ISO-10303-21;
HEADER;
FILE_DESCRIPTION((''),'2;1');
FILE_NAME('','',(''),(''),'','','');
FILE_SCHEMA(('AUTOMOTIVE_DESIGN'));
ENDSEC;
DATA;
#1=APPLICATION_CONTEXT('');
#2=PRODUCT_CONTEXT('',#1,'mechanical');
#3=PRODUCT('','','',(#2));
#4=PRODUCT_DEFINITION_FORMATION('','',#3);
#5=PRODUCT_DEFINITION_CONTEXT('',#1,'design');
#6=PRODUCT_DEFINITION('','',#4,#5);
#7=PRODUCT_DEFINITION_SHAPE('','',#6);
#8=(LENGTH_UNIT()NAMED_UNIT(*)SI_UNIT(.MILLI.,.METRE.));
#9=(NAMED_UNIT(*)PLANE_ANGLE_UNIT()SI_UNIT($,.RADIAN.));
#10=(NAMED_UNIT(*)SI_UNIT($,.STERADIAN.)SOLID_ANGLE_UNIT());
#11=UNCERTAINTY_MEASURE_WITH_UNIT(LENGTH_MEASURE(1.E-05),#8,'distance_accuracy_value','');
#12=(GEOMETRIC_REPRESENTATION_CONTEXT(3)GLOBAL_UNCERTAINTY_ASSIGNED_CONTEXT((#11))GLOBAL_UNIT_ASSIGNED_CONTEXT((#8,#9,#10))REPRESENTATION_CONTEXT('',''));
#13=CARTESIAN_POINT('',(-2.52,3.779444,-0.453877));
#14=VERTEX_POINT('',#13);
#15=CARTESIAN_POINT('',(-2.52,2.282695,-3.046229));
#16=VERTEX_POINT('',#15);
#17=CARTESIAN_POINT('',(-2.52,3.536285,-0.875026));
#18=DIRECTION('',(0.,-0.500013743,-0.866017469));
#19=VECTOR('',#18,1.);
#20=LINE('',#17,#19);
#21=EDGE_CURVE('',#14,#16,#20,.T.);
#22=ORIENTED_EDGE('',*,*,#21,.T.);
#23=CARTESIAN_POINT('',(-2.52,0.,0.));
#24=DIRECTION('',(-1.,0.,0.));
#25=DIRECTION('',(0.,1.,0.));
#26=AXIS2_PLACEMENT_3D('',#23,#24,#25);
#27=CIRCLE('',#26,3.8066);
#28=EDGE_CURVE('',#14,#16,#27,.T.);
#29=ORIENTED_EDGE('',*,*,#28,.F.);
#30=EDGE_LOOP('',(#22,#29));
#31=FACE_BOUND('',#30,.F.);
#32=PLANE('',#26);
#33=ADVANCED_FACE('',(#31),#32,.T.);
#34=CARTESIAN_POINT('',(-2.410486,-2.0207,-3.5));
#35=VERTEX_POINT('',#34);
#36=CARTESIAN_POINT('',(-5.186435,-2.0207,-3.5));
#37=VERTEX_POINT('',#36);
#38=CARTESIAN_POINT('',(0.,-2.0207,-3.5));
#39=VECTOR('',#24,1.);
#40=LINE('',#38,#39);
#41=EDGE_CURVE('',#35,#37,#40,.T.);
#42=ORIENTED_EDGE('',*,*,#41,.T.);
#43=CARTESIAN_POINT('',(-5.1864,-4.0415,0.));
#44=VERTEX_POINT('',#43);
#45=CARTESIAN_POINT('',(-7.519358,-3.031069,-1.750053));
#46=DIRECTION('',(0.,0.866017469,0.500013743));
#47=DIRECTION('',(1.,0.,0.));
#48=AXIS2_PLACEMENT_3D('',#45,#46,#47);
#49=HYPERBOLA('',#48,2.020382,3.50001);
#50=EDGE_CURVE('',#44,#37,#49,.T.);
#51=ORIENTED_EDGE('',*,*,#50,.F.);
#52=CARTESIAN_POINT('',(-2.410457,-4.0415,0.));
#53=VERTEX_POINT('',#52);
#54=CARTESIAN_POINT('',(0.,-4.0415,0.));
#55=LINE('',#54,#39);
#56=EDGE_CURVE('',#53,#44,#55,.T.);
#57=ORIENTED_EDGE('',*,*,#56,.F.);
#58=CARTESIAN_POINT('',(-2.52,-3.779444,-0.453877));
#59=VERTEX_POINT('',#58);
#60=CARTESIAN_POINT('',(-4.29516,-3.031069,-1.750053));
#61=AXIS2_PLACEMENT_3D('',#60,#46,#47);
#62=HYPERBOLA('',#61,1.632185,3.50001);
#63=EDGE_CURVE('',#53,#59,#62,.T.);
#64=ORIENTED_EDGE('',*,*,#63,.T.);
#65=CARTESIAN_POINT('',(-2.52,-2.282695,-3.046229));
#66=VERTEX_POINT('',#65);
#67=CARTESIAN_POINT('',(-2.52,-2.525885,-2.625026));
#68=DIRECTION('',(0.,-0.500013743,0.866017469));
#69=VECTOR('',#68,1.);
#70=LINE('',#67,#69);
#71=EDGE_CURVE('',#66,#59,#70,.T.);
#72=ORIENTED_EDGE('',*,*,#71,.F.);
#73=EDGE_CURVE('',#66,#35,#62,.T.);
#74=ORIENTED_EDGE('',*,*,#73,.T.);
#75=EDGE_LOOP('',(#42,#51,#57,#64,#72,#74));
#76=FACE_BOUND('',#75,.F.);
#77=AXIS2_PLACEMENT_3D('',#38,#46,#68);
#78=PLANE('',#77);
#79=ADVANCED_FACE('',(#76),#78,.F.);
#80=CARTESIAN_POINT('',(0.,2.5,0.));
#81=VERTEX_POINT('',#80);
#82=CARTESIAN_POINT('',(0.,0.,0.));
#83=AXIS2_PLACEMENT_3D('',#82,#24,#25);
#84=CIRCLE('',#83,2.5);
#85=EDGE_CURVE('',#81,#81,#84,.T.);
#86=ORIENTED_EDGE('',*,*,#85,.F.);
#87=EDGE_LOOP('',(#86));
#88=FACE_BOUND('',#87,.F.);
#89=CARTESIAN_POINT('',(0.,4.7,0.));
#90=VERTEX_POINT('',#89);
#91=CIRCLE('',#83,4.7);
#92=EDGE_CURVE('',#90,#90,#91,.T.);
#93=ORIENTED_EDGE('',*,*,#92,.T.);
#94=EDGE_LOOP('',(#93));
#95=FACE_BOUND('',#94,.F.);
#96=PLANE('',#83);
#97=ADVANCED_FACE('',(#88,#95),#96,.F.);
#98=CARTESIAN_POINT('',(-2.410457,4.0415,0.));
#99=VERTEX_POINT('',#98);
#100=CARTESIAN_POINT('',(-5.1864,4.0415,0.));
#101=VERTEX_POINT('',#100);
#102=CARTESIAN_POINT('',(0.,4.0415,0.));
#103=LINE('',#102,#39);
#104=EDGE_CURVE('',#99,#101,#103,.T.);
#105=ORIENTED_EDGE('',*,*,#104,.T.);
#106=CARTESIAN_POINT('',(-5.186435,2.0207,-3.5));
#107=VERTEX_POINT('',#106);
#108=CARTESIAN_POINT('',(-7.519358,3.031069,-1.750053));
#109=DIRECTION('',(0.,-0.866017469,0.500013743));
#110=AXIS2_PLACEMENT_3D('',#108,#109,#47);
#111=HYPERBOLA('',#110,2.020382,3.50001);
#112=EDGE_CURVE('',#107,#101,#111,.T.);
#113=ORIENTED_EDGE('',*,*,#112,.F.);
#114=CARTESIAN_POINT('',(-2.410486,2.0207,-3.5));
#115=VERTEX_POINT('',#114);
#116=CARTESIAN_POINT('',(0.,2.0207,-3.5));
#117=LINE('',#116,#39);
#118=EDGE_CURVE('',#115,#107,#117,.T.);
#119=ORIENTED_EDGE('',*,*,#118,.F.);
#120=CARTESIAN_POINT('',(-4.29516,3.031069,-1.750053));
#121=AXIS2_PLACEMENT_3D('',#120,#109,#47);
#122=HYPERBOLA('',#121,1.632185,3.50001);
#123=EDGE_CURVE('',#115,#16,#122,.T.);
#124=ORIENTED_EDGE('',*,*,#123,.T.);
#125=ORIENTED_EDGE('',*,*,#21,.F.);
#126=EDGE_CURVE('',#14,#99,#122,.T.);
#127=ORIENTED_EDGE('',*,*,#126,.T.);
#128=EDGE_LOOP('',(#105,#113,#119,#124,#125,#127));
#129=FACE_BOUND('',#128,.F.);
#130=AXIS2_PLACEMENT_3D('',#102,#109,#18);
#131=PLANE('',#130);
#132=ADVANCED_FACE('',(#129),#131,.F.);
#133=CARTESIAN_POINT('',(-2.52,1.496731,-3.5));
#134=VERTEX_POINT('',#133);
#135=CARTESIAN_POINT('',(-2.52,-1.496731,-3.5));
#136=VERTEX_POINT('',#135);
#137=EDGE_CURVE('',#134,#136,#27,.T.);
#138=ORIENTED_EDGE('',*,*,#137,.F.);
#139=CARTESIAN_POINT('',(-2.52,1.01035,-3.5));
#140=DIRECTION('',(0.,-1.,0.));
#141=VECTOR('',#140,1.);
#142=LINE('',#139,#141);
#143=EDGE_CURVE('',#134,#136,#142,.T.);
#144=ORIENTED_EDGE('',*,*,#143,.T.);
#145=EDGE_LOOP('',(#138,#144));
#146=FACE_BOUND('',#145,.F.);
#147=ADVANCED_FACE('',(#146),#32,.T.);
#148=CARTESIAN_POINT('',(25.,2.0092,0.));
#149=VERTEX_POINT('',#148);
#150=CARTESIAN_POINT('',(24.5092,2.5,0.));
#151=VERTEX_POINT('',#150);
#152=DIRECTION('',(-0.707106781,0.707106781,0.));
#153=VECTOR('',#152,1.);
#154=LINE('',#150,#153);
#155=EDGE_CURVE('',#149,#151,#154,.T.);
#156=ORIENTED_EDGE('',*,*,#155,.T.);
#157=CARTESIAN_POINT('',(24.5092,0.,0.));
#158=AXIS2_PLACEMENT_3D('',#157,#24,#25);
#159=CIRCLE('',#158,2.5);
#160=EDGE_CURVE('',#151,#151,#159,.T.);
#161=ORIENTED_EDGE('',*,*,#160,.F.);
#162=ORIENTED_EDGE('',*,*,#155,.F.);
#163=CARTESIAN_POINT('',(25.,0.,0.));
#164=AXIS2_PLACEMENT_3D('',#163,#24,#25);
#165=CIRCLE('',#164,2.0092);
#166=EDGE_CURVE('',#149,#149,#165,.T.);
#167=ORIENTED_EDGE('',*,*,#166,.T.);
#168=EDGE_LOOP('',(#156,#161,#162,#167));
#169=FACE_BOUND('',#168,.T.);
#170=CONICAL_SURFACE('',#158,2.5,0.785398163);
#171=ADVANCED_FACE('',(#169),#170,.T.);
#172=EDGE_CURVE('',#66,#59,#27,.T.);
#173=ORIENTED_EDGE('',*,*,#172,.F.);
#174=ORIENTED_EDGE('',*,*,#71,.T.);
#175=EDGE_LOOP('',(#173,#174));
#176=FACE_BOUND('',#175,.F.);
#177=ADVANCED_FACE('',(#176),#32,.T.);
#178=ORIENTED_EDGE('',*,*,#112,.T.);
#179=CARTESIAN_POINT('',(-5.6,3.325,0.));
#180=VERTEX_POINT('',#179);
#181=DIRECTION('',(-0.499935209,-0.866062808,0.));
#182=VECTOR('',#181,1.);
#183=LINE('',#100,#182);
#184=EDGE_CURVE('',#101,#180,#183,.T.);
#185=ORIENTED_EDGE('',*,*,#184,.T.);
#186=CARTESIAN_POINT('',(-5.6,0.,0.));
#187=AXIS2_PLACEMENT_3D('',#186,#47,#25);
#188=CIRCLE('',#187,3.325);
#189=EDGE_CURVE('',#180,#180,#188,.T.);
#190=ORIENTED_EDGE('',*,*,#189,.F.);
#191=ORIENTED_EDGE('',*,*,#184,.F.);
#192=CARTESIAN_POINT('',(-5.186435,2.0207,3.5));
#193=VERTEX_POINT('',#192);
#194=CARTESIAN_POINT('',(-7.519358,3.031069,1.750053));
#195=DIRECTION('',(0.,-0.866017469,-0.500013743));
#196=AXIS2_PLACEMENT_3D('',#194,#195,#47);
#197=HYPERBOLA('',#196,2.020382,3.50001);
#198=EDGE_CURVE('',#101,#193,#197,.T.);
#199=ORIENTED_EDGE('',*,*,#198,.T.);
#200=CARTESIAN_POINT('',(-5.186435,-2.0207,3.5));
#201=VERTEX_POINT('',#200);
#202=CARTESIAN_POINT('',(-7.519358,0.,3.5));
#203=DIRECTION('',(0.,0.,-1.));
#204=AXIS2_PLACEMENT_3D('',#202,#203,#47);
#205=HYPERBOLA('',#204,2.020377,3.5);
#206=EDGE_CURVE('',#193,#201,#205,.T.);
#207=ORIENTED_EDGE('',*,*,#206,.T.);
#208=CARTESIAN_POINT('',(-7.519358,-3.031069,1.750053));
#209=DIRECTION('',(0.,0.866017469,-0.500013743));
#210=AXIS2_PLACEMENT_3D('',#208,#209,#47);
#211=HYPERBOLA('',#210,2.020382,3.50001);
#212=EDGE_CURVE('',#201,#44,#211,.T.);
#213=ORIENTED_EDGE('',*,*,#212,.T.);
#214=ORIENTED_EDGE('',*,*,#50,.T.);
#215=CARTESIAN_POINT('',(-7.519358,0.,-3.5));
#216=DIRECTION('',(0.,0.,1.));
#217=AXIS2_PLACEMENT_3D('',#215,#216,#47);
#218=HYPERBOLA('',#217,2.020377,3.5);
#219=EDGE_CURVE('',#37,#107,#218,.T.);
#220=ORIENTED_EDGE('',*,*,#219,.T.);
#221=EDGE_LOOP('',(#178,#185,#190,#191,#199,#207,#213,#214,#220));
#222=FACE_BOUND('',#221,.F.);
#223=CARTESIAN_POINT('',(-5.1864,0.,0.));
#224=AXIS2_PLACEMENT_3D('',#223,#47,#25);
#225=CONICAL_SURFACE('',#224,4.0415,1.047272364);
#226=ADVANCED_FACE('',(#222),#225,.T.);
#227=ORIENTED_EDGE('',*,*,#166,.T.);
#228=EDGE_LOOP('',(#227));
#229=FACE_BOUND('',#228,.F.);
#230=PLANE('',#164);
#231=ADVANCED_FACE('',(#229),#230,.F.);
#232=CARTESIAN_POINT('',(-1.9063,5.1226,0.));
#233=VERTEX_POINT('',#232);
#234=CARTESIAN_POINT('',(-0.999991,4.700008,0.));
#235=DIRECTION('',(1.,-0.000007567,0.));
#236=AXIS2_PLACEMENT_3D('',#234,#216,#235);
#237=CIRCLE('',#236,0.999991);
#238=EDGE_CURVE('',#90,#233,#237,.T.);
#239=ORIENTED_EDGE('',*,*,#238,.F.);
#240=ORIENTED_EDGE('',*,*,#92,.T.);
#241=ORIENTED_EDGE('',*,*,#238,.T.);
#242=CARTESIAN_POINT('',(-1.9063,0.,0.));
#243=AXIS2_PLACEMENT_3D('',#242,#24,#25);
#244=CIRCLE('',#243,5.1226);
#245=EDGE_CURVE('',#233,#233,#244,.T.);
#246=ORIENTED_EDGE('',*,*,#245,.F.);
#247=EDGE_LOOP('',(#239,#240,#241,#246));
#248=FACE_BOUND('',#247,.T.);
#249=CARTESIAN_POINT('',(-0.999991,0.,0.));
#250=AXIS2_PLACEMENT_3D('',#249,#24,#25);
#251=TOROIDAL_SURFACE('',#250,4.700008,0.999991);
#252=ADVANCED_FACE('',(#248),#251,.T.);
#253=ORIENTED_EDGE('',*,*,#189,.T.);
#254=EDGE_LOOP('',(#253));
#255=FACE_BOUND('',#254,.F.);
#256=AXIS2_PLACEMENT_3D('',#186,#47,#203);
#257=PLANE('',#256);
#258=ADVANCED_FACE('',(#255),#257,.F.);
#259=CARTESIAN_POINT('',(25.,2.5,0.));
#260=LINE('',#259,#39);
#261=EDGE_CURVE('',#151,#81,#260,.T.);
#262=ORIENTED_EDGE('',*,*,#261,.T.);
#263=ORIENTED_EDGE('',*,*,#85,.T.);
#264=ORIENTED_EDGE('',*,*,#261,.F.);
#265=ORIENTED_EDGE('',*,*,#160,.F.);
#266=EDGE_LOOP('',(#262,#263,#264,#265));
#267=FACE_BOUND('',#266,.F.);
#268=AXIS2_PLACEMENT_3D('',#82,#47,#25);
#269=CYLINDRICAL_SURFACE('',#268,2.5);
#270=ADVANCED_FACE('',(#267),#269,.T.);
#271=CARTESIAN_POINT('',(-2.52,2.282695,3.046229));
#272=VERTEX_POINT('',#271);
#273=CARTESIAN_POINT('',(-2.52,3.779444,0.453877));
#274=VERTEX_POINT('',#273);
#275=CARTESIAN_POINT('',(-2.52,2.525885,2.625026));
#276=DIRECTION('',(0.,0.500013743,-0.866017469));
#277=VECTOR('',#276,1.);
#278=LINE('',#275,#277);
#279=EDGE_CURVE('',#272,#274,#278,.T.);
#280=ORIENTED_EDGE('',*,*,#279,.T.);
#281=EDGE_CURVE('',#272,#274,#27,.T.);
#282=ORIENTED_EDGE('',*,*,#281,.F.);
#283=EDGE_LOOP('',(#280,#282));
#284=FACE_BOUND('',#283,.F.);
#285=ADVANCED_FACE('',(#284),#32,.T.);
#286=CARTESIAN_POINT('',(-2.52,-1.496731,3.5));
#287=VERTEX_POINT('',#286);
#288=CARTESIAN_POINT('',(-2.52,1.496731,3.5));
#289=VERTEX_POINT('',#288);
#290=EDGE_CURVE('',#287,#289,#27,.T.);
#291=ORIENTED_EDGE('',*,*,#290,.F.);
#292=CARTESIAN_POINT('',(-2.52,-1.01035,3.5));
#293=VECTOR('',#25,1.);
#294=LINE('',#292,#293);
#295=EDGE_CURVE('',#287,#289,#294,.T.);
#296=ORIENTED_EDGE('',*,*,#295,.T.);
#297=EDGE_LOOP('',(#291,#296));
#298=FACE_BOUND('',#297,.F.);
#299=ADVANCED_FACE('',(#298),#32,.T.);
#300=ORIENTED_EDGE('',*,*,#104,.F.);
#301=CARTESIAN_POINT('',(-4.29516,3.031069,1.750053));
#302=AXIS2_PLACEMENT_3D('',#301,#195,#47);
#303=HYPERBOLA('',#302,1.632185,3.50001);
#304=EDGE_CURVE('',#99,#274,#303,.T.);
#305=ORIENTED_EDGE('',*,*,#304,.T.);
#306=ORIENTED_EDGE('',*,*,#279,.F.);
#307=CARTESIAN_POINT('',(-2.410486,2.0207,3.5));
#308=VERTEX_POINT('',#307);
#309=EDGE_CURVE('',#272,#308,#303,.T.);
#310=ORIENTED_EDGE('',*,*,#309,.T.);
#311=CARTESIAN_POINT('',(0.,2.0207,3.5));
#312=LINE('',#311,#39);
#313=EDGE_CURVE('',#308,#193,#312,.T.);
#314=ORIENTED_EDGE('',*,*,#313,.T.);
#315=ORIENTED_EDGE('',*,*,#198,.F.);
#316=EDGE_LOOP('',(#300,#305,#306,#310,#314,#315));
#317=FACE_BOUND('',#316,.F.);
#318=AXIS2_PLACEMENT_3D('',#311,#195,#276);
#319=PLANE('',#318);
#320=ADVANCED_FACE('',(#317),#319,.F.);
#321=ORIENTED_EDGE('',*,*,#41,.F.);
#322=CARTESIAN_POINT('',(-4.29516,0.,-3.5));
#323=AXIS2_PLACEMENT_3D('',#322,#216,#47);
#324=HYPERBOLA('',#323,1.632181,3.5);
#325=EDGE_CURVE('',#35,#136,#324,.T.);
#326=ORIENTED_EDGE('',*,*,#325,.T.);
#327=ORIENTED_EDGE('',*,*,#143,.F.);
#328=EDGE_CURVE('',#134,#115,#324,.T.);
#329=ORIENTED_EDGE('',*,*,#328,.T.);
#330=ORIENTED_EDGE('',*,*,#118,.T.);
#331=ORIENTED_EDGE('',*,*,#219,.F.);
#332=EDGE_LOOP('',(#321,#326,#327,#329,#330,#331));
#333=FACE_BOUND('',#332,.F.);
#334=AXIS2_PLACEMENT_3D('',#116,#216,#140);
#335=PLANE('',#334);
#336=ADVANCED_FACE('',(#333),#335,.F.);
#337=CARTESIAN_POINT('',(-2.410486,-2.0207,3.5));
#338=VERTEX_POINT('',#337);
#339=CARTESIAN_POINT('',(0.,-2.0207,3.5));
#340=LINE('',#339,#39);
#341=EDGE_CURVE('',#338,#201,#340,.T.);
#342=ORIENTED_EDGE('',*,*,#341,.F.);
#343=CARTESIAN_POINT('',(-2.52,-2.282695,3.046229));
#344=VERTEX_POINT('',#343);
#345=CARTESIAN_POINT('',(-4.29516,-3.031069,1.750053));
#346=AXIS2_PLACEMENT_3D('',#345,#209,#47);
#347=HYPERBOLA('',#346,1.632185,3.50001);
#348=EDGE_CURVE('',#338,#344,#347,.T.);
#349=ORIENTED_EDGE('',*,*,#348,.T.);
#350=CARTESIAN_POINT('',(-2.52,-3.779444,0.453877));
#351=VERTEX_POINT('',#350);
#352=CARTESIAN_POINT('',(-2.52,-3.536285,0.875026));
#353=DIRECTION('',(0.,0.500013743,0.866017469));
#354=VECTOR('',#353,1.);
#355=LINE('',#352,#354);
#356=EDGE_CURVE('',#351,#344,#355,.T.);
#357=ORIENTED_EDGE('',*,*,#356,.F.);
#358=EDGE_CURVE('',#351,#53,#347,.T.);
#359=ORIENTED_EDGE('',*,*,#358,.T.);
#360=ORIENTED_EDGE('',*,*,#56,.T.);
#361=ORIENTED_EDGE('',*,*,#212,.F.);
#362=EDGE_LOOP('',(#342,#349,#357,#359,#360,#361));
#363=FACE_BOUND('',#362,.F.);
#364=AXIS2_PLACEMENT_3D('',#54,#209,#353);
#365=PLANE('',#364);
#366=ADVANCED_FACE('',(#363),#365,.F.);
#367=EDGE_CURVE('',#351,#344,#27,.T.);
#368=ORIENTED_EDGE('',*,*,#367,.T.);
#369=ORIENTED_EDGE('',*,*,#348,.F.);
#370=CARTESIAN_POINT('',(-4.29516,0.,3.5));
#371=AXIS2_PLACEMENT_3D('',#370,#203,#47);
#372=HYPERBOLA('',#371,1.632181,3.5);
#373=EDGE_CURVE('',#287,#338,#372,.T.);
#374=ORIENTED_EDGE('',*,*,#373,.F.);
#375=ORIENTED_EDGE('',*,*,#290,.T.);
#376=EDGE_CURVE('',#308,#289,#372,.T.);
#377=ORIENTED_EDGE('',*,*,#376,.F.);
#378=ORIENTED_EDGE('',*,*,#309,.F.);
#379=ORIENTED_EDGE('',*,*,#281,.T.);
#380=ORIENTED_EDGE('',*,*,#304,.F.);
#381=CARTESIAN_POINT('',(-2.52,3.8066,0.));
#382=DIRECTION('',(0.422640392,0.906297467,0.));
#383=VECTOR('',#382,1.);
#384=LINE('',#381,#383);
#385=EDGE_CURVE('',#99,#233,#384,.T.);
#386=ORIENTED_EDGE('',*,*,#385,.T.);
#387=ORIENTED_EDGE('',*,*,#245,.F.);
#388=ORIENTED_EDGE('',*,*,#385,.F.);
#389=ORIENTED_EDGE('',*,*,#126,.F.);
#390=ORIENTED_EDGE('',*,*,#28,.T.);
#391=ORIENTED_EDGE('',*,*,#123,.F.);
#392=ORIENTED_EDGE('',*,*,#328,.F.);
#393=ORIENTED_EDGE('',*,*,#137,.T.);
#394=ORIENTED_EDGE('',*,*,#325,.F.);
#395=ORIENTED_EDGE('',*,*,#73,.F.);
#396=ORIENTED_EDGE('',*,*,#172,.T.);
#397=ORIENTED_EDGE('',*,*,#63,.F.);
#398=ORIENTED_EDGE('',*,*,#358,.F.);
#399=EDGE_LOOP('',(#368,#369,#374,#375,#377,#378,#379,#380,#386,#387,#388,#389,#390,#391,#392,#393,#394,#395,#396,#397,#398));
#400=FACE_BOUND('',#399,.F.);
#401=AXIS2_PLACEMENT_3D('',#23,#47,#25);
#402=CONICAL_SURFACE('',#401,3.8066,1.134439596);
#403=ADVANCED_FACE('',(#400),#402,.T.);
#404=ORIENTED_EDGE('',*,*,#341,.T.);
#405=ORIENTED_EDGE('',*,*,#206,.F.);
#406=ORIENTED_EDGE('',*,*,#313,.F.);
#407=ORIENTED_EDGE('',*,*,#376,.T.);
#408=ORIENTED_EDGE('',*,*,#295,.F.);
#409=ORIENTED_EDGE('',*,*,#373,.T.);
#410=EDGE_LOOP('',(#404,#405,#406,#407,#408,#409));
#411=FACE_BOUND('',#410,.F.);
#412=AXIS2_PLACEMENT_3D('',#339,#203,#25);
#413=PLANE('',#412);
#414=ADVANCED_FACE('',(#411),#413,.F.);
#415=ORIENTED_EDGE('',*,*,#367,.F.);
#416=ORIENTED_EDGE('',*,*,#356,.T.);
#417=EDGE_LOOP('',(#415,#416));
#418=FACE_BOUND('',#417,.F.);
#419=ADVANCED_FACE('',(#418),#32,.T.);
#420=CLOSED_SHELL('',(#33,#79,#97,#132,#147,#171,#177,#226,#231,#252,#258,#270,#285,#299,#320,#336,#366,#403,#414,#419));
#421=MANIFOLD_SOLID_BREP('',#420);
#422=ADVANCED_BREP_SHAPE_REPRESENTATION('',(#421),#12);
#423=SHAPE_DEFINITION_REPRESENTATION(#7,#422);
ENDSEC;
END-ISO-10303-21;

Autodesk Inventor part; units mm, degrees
ref_plane "YZ Plane" through (0, 0, 0) normal (1, 0, 0) x (0, 1, 0)
ref_plane "XZ Plane" through (0, 0, 0) normal (0, 1, 0) x (-1, 0, 0)
sketch "Sketch1" plane through (0, 0, 0) normal (0, 0, 1) x (1, 0, 0)
  line L0 (-2.52, 0) -> (-2.52, 3.8066)
  line L1 (0, 4.7) -> (0, 2.5)
  line L2 (9, 2.5) -> (25, 2.5)
  line L3 (25, 2.5) -> (25, 0)
  line L4 (25, 0) -> (-2.52, 0)
  arc A0 (0, 4.7) -> (-1.9063, 5.1226) centre (-1, 4.7) ccw
  line L5 (0, -1.1775) -> (0, 7.0651) projected
  line L6 (-8.024, 0) -> (30.504, 0) projected
  line L7 (0, 2.5) -> (0.0001, 2.5)
  line L8 (0.0001, 2.5) -> (0.0001, 2.5)
  line L9 (0.0001, 2.5) -> (8.5092, 2.5)
  line L10 (8.5092, 2.5) -> (9, 2.5)
  line L11 (-2.52, 3.8066) -> (-1.9063, 5.1226)
  line L12 (0.0001, 2.5) -> (9, 2.5) construction
  line L13 (9, 2.5) -> (9, 0) construction
  dimension "d0" = 1
  dimension "d1" = 25
  dimension "d2" = 16
  dimension "d3" = 11.4
  dimension "d4" = 5
  dimension "d5" = 2.52
  dimension "d15" = 5
  dimension "d16" = 5
  dimension "d17" = 0.0001
  dimension "d18" = 0.4908
  dimension "d19" = 25
revolve "Body" add sketch "Sketch1" angle 360 about axis through (25, 0, 0) along (-1, 0, 0)
sketch "Sketch2" plane through (0, 0, 0) normal (1, 0, 0) x (0, 0, -1)
  line L0 (3.5, 2.0207) -> (3.5, -2.0207)
  line L1 (3.5, -2.0207) -> (0, -4.0415)
  line L2 (0, -4.0415) -> (-3.5, -2.0207)
  line L3 (-3.5, -2.0207) -> (-3.5, 2.0207)
  line L4 (-3.5, 2.0207) -> (0, 4.0415)
  line L5 (0, 4.0415) -> (3.5, 2.0207)
  point P0 (0, 0)
  point P1 (0, 0)
  dimension "d23" = 7
extrude "Head" add sketch "Sketch2" against normal blind 5.6
sketch "Sketch3" plane through (0, 0, 0) normal (0, 0, 1) x (1, 0, 0)
  line L0 (-5.6, 3.325) -> (-5.6, 4.0415)
  line L1 (-5.6, 4.0415) -> (-5.1864, 4.0415)
  line L2 (-5.1864, 4.0415) -> (-5.6, 3.325)
  line L3 (-6.2379, 0) -> (-1.7726, 0) projected
  line L4 (-5.6, 4.0415) -> (-5.6, 2.0207) projected
  line L5 (-2.4105, 4.0415) -> (-5.6, 4.0415) projected
  point P0 (-5.6, 2.0207)
  dimension "d8" = 30
  dimension "d22" = 6.65
revolve "Chamfer1" cut sketch "Sketch3" angle 360 about axis through (-10, 0, 0) along (1, 0, 0)
thread "Thread" size "M5x0.8" class "6g" standard "ISO Metric profile" length 16
chamfer "Chamfer2" distance 0.4908 distance2 0.4908 1 edges at (25, -2.5, 0) measured on face at (25, 0.4734, 0.4194)
ref_plane "Work Plane1" through (10.95, 0, 0) normal (0, 0, -1) x (1, 0, 0)
equation "\"d23\" = SW"
equation "\"d6\" = KOH"
equation "\"d10\" = GEL"
equation "\"d13\" = -0.5 * SPD + 0.5 * GD"
equation "\"d14\" = GUL"
equation "\"d0\" = PHH"
equation "\"d1\" = NLG"
equation "\"d2\" = GEL"
equation "\"d3\" = LADI"
equation "\"d4\" = GD"
equation "\"d5\" = 0.45 * KOH"
equation "\"d15\" = SD2"
equation "\"d16\" = BDM"
equation "\"d18\" = GAL"
equation "\"d19\" = KEWI"
equation "\"d8\" = ANG1"
equation "\"d22\" = SW0"
equation "\"NLG\" = 25"
equation "\"GD\" = NND"
equation "\"BDM\" = NND"
equation "\"KOH\" = 5.6"
equation "\"GEL\" = 16"
equation "\"LADI\" = 11.4"
equation "\"SW\" = 7"
equation "\"PHH\" = RR"
equation "\"SW0\" = 6.65"
equation "\"SPD\" = NND - 1.2269 * PTC"
equation "\"SD2\" = NND"
equation "\"SD\" = 0"
equation "\"ANG1\" = 30deg"
equation "\"KEWI\" = 25deg"
equation "\"GAL\" = 0.61345 * PTC"
equation "\"GUL\" = 0.61345 * PTC"
equation "\"PTC\" = 0.8"
equation "\"THREADDIA\" = 5"
equation "\"E0\" = 1.155 * SW"
equation "\"TOA\" = 30deg"
equation "\"NND\" = 5"
equation "\"GD1\" = THREADDIA - 1.2269 * PTC"
equation "\"SDH\" = SW"
equation "\"KOH1\" = 2.3"
equation "\"RR\" = 1"
properties part number "ISO 4162 - M5 x 25" material "Stainless Steel"
